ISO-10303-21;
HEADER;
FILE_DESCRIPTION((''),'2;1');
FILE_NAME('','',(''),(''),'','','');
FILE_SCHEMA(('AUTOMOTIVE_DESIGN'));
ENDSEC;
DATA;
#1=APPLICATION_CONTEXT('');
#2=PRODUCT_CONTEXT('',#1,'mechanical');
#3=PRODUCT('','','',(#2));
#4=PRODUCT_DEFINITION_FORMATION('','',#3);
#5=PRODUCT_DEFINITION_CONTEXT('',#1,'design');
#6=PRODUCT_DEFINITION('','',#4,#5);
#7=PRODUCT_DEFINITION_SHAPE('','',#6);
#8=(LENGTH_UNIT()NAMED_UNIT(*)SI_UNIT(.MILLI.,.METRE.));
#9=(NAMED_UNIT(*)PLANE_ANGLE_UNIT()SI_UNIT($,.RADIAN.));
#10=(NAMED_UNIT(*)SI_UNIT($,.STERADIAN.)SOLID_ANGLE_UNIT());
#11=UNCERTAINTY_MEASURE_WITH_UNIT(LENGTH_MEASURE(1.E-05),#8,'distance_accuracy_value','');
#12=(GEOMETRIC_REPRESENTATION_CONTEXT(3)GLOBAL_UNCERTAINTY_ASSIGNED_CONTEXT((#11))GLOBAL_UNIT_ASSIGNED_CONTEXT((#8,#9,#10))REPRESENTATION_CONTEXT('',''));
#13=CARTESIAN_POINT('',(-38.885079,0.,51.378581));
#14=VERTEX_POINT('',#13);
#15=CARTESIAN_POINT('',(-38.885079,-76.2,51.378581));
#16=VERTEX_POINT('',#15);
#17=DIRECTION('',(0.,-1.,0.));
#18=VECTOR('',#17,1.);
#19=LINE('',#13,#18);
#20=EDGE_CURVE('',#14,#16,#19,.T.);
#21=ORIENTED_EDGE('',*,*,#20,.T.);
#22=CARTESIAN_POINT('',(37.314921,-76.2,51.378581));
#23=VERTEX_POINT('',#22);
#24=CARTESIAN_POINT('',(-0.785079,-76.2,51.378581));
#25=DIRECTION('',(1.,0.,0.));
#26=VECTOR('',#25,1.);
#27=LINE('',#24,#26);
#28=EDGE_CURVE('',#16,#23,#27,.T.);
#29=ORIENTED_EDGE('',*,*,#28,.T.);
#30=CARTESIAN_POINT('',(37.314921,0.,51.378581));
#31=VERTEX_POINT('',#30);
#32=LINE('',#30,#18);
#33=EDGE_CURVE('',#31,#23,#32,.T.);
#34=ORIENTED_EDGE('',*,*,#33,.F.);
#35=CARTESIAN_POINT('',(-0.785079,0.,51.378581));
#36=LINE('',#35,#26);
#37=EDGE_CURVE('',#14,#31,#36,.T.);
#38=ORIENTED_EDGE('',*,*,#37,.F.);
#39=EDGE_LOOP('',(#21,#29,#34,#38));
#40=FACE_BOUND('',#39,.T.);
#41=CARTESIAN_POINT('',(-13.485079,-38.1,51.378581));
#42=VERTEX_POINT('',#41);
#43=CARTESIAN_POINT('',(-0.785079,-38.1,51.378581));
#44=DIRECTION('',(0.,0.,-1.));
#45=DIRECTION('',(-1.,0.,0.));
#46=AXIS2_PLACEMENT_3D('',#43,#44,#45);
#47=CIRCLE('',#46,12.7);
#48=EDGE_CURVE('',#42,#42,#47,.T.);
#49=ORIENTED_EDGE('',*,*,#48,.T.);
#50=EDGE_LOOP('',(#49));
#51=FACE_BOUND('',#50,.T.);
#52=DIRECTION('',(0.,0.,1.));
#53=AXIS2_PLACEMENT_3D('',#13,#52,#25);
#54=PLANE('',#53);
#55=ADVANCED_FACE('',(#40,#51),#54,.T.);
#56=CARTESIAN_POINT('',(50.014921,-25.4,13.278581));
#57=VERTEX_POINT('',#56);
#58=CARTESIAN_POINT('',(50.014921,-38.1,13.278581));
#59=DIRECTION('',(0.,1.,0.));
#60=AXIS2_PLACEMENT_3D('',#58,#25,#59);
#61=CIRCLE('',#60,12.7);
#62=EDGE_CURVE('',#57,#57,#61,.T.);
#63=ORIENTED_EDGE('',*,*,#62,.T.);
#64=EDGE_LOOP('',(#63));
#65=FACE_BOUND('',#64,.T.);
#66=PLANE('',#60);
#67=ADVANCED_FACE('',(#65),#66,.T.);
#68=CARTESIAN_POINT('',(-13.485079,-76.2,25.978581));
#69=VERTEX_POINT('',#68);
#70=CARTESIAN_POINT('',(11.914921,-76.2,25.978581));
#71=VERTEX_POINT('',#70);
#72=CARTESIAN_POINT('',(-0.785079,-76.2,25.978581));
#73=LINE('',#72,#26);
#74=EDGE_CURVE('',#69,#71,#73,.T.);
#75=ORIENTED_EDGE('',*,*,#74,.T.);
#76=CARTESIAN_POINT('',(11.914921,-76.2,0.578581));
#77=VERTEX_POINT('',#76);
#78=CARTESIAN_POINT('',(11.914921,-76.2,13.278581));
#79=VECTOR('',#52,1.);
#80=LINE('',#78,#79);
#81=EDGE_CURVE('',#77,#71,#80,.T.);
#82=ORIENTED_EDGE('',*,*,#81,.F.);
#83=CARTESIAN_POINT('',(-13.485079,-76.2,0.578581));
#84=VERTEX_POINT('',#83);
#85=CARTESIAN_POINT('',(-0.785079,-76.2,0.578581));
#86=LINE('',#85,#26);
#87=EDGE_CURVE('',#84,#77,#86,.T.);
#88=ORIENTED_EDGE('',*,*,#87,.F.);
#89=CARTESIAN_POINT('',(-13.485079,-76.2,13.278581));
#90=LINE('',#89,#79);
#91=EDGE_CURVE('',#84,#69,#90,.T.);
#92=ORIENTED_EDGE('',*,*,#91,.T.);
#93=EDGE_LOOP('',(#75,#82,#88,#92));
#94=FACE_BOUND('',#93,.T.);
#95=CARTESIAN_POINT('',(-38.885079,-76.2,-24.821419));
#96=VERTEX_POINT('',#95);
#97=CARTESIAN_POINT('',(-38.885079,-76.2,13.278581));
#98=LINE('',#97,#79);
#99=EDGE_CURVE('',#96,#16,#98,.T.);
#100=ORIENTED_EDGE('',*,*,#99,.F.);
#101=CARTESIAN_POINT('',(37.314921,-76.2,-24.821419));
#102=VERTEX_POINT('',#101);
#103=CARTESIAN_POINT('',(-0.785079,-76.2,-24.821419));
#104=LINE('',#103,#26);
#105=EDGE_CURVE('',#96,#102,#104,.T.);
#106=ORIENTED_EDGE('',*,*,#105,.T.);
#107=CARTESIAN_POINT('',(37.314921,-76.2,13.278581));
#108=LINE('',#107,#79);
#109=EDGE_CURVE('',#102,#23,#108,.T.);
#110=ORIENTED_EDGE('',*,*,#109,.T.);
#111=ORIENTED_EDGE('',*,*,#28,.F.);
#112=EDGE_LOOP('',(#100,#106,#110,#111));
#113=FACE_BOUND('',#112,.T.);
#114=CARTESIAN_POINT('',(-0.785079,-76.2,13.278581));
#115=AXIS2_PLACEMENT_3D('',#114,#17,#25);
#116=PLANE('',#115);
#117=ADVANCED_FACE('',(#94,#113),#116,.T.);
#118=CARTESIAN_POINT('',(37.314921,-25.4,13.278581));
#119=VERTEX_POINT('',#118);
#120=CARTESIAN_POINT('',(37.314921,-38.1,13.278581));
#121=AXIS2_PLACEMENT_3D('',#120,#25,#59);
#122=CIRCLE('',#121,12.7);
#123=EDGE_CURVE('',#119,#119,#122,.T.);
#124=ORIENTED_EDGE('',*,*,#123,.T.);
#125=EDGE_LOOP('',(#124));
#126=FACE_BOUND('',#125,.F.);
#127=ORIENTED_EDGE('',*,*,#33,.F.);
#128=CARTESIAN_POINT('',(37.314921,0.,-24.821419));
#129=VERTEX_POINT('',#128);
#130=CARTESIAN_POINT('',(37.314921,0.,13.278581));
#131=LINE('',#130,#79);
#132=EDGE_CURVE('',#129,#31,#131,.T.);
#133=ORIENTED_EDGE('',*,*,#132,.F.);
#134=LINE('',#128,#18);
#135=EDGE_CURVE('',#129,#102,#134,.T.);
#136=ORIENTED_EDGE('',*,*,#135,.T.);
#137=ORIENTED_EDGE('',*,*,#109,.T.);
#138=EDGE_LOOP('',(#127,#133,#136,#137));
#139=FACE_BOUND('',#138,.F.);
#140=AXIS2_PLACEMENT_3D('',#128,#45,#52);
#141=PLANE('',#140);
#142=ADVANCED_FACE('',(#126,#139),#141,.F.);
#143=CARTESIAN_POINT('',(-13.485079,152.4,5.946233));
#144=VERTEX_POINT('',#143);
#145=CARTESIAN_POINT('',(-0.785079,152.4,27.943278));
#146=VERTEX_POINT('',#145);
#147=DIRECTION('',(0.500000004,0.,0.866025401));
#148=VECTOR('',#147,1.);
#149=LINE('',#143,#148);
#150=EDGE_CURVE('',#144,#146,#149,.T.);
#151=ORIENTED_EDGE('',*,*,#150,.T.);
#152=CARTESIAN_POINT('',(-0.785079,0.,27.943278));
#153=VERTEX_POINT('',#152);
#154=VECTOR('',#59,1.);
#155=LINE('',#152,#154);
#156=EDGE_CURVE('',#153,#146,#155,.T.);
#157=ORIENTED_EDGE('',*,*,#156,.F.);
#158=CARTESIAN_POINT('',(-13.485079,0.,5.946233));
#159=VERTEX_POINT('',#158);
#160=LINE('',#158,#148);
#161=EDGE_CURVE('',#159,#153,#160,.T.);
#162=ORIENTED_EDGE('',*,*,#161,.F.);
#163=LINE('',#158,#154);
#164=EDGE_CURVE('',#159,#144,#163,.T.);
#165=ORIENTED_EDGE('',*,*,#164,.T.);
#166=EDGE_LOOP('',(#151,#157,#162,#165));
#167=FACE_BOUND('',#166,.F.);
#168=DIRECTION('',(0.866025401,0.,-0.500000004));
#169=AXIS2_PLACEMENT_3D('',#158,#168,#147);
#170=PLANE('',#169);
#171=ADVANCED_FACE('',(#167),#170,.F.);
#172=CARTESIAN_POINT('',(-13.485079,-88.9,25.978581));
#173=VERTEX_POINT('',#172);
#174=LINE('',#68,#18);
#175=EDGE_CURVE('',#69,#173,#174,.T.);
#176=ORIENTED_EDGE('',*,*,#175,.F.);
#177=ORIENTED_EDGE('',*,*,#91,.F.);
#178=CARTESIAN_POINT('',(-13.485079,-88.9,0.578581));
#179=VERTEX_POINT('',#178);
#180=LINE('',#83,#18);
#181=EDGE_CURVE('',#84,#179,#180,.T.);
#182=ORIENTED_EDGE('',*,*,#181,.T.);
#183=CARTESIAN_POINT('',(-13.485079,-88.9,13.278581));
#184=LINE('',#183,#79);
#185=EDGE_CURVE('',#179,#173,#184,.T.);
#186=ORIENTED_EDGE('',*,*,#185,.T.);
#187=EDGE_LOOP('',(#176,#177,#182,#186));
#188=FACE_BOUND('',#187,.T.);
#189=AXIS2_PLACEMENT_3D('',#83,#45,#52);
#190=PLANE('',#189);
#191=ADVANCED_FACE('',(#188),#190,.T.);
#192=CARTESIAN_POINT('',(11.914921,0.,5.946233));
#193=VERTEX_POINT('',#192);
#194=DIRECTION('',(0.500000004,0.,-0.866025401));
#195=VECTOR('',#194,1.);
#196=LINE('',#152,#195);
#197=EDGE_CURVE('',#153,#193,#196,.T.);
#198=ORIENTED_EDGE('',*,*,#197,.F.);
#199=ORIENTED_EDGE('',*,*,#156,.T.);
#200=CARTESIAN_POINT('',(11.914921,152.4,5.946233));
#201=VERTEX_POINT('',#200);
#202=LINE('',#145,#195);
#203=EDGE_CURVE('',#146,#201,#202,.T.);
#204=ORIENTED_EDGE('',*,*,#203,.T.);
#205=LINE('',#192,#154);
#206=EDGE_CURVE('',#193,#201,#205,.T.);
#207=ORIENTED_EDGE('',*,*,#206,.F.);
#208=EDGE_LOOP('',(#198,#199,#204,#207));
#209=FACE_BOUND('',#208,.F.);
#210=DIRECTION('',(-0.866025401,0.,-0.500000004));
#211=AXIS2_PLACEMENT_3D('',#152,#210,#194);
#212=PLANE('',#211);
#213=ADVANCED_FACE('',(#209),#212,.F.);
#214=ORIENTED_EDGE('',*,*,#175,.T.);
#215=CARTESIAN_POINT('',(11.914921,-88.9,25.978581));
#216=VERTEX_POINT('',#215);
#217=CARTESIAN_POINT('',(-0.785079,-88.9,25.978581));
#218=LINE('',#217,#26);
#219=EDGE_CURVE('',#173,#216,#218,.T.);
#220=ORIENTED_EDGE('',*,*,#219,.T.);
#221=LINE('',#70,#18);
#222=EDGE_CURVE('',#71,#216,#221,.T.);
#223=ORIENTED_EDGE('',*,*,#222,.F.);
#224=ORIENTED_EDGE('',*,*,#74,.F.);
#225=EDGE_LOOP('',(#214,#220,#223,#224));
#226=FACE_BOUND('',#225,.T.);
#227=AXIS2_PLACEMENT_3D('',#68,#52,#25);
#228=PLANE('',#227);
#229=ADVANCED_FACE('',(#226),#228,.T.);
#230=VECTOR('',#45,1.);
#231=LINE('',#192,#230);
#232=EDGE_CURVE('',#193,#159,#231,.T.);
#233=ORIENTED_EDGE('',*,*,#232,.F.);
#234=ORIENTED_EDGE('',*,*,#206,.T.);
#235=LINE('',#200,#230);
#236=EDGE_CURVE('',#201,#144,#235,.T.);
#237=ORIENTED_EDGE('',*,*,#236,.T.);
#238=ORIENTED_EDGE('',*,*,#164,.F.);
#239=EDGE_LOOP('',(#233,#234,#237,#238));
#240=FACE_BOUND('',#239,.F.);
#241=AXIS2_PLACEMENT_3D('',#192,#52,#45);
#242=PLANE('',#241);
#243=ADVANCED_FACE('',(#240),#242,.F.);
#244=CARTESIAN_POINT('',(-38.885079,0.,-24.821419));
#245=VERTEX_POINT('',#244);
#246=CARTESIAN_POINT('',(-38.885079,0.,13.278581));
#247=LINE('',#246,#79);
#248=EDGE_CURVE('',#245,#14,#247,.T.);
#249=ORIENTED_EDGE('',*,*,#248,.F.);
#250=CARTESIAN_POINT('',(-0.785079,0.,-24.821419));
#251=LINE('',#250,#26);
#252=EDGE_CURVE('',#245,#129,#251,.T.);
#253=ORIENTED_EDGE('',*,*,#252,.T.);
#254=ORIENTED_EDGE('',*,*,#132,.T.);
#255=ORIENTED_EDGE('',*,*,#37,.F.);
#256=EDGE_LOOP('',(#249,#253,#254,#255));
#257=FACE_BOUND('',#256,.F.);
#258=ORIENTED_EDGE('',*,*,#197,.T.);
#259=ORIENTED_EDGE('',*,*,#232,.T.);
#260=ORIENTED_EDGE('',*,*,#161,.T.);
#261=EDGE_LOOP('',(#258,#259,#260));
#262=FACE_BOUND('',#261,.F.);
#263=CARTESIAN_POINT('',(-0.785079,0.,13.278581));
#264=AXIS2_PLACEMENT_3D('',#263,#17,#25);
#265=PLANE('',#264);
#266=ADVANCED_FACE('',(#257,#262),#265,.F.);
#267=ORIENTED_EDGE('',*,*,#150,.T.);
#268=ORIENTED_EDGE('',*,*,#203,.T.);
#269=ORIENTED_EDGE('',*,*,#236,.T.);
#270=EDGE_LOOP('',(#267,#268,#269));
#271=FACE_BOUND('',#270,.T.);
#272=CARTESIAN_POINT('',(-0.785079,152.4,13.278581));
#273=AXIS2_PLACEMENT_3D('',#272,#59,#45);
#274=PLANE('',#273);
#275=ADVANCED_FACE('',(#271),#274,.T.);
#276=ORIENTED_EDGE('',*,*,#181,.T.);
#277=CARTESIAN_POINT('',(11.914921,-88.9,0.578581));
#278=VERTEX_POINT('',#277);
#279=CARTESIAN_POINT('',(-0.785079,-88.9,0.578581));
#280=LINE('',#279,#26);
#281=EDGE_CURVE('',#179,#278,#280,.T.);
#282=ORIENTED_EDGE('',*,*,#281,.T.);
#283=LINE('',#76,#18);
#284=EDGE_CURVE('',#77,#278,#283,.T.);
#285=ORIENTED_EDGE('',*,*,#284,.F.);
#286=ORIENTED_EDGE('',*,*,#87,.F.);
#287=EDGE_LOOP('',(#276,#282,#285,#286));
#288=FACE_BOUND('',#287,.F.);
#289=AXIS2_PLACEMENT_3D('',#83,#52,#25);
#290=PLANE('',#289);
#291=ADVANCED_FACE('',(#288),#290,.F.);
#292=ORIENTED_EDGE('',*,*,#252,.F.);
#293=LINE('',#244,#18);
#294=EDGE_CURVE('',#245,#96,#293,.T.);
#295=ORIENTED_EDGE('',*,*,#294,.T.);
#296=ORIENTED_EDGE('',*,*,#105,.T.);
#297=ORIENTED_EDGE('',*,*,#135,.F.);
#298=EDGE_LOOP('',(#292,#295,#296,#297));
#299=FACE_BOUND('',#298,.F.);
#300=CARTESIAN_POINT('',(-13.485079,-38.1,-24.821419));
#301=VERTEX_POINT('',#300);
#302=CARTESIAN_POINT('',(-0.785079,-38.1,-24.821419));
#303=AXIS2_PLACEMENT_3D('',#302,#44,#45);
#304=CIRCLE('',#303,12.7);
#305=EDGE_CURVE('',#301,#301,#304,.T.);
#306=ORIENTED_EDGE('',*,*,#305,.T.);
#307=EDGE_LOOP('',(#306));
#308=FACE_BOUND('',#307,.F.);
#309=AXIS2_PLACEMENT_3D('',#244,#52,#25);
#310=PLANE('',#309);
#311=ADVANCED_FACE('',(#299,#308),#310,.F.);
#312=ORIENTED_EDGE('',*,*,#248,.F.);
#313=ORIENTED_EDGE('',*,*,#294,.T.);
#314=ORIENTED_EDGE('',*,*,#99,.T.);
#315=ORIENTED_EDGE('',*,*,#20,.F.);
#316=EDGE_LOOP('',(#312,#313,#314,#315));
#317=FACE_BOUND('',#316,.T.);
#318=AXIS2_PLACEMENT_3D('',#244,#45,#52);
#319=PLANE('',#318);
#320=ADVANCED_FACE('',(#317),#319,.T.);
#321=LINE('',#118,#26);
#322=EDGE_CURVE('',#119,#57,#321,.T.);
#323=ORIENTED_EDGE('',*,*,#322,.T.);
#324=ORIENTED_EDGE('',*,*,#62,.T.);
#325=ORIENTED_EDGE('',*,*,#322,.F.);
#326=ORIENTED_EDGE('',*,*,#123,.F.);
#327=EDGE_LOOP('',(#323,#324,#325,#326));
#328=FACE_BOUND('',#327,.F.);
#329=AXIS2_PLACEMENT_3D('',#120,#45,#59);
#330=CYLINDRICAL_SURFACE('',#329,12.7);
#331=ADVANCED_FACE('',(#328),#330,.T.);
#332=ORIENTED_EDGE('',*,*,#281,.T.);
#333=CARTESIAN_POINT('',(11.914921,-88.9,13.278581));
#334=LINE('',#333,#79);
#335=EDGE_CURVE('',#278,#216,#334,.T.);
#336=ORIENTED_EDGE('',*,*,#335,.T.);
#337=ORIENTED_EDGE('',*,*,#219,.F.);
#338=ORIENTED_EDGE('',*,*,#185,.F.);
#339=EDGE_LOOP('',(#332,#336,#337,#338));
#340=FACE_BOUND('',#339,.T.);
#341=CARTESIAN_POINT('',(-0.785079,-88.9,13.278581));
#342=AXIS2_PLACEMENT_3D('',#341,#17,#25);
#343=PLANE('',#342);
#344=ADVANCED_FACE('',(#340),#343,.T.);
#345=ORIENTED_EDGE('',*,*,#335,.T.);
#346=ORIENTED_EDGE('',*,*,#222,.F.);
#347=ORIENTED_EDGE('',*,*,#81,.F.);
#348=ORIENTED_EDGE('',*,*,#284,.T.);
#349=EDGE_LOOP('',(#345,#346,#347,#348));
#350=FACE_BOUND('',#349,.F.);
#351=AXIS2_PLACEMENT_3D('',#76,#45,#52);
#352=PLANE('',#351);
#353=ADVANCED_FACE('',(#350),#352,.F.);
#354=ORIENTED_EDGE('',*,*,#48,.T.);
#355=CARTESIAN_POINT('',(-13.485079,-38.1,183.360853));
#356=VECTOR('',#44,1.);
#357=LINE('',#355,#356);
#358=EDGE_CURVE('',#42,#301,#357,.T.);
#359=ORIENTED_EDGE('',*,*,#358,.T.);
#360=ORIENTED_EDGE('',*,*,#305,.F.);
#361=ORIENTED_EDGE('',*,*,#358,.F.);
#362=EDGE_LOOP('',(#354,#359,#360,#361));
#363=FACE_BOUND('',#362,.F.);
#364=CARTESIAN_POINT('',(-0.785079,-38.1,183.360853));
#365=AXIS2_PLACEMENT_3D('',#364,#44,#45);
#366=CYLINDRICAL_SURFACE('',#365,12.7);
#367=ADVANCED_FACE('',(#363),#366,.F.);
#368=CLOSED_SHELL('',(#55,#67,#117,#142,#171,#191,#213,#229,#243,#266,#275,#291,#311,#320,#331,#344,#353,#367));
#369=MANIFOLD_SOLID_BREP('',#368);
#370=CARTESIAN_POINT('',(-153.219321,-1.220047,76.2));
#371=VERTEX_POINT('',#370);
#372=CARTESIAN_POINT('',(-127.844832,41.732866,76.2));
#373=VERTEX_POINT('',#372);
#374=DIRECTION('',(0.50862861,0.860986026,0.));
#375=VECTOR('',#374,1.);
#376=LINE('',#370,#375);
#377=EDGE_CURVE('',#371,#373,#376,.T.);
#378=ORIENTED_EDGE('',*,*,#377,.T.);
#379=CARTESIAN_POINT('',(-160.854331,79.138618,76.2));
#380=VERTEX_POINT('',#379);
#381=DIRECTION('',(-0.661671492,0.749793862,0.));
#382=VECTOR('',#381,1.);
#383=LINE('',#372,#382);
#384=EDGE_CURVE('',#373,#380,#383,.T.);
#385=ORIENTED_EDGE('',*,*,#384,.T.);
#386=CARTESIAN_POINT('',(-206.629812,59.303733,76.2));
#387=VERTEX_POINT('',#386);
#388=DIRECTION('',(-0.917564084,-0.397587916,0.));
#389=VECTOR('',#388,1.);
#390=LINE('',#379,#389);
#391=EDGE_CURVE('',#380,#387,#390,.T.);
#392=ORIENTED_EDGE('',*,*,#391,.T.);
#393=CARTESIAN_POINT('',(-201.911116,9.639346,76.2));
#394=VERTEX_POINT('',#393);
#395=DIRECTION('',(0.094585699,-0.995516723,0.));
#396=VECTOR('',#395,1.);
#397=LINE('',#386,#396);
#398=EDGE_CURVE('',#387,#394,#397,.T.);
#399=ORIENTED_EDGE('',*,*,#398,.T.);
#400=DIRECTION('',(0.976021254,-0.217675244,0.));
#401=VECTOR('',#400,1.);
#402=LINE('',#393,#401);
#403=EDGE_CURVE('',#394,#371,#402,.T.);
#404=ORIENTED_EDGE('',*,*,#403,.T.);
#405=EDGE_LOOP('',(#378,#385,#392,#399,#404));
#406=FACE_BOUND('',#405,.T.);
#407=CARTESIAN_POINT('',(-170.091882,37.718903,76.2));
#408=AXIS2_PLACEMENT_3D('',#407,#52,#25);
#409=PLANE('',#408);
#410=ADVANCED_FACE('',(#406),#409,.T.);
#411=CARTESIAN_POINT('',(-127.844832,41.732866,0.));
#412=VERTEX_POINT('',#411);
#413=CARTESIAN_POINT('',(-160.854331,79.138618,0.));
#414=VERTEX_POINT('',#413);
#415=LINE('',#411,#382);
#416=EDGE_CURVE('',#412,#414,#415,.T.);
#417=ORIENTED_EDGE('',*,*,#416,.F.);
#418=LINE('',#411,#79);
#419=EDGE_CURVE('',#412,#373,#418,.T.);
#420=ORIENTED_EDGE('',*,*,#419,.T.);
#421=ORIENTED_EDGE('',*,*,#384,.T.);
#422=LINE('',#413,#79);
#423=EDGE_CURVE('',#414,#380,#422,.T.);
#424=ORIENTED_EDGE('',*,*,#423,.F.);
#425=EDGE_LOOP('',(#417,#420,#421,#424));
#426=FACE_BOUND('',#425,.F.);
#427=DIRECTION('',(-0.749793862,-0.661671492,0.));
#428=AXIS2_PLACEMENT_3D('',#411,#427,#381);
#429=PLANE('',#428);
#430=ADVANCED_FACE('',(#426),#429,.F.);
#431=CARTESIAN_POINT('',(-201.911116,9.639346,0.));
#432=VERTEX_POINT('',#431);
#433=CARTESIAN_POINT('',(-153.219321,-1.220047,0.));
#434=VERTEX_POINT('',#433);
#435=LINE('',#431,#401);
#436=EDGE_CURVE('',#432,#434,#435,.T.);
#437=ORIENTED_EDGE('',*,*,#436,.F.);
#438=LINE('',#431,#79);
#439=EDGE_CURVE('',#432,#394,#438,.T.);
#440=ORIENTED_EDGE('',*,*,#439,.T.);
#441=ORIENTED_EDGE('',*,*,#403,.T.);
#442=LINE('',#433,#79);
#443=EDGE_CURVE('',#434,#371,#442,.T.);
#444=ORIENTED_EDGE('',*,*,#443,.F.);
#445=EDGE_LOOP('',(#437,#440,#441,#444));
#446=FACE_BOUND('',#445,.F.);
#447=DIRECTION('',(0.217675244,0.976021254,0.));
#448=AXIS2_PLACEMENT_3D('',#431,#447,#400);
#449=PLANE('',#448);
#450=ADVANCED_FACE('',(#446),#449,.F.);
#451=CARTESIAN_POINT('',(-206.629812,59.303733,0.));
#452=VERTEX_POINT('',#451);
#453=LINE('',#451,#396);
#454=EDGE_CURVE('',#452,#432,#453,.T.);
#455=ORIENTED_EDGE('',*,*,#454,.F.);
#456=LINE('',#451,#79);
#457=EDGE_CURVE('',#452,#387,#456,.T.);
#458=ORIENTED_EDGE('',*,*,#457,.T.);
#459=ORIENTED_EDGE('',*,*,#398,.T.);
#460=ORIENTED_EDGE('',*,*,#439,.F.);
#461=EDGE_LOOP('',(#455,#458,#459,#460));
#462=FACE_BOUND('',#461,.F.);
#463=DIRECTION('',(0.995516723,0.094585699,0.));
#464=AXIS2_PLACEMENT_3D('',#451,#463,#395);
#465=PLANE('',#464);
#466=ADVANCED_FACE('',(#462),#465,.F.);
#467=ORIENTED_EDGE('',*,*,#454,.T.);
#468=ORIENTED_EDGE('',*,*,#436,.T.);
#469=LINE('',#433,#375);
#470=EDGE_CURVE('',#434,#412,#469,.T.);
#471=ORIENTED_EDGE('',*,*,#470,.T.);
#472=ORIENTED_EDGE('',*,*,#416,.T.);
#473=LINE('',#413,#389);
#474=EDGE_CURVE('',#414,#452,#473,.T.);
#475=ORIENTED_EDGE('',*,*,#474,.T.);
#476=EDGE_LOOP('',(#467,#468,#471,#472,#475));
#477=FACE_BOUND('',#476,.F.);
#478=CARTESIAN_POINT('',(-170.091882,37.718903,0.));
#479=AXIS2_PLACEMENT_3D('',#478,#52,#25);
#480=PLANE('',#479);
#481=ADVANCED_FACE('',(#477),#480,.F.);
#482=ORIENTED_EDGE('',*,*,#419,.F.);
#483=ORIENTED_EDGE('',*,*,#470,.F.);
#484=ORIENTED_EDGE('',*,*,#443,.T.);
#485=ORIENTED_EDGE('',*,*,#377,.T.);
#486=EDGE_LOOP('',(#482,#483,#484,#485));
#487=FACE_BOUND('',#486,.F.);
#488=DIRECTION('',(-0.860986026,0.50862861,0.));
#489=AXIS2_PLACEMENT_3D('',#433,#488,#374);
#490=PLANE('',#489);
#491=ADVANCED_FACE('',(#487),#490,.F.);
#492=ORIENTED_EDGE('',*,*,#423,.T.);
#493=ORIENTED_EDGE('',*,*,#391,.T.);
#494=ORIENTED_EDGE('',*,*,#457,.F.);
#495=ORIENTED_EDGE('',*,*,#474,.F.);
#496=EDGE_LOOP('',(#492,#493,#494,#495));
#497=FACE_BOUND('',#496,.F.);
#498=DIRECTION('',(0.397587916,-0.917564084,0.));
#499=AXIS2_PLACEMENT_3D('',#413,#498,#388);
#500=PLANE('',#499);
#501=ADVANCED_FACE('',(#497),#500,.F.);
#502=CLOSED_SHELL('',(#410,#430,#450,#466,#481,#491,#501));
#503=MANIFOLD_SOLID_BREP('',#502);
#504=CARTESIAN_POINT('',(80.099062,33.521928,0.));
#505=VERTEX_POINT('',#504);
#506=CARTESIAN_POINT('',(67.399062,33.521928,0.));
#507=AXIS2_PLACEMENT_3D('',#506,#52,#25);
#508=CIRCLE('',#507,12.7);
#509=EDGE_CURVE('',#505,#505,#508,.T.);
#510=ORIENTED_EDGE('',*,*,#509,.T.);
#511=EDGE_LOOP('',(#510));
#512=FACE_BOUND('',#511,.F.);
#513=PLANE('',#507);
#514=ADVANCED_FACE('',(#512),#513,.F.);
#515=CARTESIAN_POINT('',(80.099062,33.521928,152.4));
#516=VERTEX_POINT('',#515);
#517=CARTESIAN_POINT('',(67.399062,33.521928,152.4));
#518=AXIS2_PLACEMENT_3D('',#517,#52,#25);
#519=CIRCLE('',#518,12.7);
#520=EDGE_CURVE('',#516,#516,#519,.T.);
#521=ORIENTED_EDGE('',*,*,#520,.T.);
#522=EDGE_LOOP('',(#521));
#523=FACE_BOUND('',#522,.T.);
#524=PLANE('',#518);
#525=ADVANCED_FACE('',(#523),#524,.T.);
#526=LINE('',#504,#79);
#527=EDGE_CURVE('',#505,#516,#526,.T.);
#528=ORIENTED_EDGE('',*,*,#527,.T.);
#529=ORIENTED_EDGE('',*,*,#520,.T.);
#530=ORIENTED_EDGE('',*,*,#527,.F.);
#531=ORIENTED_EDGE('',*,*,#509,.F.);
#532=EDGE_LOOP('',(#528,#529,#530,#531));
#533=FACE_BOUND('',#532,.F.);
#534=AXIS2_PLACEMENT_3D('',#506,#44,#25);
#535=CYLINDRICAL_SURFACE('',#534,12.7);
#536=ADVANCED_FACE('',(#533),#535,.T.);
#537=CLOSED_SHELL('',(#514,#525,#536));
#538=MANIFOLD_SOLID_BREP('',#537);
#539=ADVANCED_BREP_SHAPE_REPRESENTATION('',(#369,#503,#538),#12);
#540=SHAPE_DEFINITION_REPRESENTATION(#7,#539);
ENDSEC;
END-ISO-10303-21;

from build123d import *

# Parameters (mm, degrees)
F0_W      = 76.2
F0_H      = 76.2
F1_DEPTH  = 76.2
F3_D      = 25.4
F4_W      = 25.4
F4_H      = 25.4
F5_DEPTH  = 12.7
F6_R      = 12.7
F7_DEPTH  = 12.7
F9_DEPTH  = 152.4
F10_R     = 12.7
F11_DEPTH = 152.4
F13_DEPTH = 76.2


with BuildPart() as f1:
    # F0 (on Front) → F1 (new body)
    with BuildSketch(Plane.XZ):
        with Locations((-0.785079, 13.278581)):
            Rectangle(F0_W, F0_H)
    extrude(amount=F1_DEPTH)

    # F3 (through all)
    with Locations(Plane.XY.offset(51.378581)):
        with Locations((-0.785079, -38.1)):
            Hole(F3_D / 2)

    # F4 (on face) → F5 (join)
    with BuildSketch(Plane.XZ.offset(76.2)):
        with Locations((-0.785079, 13.278581)):
            Rectangle(F4_W, F4_H)
    extrude(amount=F5_DEPTH)

    # F6 (on face) → F7 (join)
    with BuildSketch(Plane.YZ.offset(37.314921)):
        with Locations((-38.1, 13.278581)):
            Circle(F6_R)
    extrude(amount=F7_DEPTH)

    # F8 (on face) → F9 (join)
    with BuildSketch(Plane(origin=(0, 0, 0), x_dir=(-1, 0, 0), z_dir=(0, 1, 0))):
        Polygon((0.785079, 27.943278), (-11.914921, 5.946233), (13.485079, 5.946233), align=None)
    extrude(amount=F9_DEPTH)


with BuildPart() as f11:
    # F10 (on Top) → F11 (new body)
    with BuildSketch(Plane.XY):
        with Locations((67.399062, 33.521928)):
            Circle(F10_R)
    extrude(amount=F11_DEPTH)


with BuildPart() as f13:
    # F12 (on Top) → F13 (new body)
    with BuildSketch(Plane.XY):
        Polygon((-153.219321, -1.220047), (-127.844832, 41.732866), (-160.854331, 79.138618), (-206.629812, 59.303733), (-201.911116, 9.639346), align=None)
    extrude(amount=F13_DEPTH)


solid = Compound([f1.part, f11.part, f13.part])
